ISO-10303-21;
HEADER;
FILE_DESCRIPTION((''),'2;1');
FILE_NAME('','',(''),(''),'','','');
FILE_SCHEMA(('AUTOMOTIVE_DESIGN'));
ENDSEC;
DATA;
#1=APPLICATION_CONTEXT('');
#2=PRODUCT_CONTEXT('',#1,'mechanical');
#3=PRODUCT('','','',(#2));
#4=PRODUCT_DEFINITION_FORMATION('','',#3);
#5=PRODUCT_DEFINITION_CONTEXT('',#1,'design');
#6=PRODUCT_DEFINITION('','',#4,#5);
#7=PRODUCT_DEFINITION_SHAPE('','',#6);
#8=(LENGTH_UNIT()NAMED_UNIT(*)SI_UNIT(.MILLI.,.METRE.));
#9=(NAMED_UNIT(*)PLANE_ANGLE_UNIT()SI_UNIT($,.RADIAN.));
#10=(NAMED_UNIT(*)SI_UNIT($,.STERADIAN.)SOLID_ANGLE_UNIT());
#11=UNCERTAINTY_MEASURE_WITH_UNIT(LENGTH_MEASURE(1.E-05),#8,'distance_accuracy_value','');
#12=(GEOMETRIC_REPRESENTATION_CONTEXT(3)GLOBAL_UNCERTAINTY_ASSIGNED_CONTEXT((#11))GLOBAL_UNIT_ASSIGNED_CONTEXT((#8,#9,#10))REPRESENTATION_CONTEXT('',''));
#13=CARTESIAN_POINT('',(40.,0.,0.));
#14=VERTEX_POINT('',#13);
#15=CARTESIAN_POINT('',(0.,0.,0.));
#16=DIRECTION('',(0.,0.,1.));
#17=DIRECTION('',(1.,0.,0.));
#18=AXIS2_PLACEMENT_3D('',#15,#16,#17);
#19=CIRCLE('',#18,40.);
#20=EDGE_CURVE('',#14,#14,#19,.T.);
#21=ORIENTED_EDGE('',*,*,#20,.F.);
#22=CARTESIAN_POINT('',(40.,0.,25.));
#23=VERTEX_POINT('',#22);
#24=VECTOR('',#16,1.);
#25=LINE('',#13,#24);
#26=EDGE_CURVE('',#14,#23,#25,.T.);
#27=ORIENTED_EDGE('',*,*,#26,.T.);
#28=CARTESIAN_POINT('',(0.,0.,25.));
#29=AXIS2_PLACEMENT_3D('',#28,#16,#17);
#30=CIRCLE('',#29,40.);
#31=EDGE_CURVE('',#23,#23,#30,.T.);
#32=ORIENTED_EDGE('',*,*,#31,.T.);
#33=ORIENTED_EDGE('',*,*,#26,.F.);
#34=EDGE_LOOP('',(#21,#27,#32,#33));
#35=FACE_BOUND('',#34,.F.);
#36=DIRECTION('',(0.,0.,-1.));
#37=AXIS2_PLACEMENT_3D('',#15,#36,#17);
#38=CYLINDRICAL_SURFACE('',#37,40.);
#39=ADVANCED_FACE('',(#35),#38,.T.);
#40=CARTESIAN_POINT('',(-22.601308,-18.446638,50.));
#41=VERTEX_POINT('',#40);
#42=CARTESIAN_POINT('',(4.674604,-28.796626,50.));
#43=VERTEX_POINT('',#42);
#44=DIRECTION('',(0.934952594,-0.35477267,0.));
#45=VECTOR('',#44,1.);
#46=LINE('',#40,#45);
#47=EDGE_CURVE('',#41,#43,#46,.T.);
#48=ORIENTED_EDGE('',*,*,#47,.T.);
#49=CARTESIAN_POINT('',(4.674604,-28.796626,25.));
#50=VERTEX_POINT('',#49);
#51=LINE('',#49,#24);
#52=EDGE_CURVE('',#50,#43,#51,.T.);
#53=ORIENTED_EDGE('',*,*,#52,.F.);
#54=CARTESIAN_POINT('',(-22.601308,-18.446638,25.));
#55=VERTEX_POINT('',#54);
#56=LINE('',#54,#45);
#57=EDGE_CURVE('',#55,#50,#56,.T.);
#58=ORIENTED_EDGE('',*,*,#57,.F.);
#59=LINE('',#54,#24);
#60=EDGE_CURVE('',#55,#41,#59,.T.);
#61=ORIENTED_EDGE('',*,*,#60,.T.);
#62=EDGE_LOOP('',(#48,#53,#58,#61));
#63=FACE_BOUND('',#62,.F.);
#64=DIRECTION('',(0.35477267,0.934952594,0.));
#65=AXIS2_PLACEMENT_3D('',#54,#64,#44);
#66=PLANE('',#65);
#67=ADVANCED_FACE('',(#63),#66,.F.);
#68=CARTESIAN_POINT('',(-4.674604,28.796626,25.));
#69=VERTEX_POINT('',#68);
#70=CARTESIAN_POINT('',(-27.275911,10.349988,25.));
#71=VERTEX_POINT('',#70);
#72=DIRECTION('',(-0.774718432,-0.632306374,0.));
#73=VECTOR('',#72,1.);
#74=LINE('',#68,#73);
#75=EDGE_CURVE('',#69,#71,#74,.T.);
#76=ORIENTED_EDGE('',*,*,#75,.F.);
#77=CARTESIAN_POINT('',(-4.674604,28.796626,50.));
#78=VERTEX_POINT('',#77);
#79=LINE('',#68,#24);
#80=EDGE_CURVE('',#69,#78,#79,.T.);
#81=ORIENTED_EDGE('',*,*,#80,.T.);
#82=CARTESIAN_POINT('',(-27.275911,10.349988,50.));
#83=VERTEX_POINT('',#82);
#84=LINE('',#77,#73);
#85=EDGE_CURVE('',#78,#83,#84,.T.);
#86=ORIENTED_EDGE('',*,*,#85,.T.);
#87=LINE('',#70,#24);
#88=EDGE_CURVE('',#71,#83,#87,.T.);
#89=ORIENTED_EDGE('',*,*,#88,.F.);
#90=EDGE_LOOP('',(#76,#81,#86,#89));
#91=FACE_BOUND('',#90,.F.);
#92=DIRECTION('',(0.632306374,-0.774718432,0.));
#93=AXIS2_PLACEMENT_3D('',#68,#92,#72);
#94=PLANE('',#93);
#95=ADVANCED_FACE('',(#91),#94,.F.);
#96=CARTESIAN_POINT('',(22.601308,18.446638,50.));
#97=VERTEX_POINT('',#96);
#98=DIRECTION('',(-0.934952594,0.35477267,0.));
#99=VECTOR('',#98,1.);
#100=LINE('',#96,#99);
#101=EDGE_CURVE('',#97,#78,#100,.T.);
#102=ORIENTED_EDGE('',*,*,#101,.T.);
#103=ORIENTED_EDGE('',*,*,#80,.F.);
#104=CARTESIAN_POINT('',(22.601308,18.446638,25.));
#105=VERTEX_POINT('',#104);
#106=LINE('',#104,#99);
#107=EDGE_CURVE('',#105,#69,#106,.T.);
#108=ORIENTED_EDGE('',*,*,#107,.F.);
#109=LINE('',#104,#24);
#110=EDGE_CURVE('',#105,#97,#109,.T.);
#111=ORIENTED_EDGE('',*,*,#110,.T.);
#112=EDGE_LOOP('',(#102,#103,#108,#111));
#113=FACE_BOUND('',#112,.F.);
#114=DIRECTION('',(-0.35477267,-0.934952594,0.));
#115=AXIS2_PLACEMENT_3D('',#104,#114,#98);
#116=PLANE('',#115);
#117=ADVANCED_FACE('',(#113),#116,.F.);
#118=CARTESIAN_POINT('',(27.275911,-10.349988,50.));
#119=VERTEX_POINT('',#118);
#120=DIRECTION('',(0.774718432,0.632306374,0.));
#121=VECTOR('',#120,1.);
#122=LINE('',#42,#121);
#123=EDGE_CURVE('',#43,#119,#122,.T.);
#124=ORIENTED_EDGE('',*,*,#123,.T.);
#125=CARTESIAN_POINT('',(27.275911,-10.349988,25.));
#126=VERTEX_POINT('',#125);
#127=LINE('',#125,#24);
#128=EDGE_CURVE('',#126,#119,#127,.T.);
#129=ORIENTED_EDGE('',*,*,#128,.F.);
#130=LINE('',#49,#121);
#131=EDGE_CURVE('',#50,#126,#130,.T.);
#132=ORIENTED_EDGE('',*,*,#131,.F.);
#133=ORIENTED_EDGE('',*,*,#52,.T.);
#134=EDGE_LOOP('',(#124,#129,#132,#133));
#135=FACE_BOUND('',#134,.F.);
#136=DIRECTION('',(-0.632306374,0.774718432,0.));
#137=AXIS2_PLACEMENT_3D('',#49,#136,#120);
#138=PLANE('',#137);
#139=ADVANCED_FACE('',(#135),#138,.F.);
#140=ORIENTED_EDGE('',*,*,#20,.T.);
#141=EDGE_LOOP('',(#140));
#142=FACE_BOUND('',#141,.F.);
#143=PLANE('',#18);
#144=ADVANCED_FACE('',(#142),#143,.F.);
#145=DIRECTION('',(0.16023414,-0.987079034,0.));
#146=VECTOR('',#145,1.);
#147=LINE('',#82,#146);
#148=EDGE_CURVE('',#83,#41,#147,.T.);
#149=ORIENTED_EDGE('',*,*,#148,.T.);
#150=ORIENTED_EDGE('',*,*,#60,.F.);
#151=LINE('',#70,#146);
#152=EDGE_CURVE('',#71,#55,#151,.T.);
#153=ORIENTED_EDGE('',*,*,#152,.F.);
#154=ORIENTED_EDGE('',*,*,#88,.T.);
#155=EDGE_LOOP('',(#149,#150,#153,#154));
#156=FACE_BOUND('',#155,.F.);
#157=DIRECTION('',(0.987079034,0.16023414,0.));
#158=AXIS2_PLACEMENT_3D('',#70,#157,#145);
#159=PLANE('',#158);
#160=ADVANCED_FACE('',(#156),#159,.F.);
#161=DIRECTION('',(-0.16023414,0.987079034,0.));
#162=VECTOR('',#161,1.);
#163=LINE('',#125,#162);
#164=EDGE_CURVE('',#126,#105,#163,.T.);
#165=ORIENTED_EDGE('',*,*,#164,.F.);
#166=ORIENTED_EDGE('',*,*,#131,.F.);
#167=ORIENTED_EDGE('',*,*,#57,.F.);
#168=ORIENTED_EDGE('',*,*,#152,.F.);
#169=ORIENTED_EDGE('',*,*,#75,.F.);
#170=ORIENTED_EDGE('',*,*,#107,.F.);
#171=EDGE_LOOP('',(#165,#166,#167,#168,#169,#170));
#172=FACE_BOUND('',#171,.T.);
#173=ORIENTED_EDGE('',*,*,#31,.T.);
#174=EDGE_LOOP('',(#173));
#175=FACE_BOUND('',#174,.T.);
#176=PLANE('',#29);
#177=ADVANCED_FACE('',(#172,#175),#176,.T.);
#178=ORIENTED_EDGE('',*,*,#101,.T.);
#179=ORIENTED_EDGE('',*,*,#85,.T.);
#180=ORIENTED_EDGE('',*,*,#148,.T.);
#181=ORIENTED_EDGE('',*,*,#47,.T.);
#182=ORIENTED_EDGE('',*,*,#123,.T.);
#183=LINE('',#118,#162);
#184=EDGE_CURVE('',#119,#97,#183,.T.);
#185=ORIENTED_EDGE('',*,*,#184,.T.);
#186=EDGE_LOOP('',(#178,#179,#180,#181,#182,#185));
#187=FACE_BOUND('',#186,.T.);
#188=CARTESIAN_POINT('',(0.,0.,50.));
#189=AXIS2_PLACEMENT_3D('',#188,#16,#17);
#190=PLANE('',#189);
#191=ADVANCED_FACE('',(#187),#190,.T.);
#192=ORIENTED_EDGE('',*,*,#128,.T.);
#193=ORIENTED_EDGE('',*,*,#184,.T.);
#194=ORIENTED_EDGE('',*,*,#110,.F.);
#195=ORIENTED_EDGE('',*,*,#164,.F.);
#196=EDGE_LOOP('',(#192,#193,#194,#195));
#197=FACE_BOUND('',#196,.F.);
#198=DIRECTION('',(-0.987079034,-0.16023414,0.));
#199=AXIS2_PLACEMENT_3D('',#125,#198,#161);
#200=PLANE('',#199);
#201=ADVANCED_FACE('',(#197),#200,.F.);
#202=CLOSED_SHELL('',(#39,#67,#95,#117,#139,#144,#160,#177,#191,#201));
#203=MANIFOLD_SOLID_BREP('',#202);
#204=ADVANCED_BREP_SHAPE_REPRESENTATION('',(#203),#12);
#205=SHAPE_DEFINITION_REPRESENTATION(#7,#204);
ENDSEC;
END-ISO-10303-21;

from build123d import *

# Parameters (mm, degrees)
F0_R     = 40
F1_DEPTH = 25
F3_DEPTH = 25


with BuildPart() as f1:
    # F0 (on Top) → F1 (new body)
    with BuildSketch(Plane.XY):
        Circle(F0_R)
    extrude(amount=F1_DEPTH)

    # F2 (on face) → F3 (join)
    with BuildSketch(Plane.XY.offset(25)):
        Polygon((-4.674604, 28.796626), (-27.275911, 10.349988), (-22.601308, -18.446638), (4.674604, -28.796626), (27.275911, -10.349988), (22.601308, 18.446638), align=None)
    extrude(amount=F3_DEPTH)


solid = f1.part
